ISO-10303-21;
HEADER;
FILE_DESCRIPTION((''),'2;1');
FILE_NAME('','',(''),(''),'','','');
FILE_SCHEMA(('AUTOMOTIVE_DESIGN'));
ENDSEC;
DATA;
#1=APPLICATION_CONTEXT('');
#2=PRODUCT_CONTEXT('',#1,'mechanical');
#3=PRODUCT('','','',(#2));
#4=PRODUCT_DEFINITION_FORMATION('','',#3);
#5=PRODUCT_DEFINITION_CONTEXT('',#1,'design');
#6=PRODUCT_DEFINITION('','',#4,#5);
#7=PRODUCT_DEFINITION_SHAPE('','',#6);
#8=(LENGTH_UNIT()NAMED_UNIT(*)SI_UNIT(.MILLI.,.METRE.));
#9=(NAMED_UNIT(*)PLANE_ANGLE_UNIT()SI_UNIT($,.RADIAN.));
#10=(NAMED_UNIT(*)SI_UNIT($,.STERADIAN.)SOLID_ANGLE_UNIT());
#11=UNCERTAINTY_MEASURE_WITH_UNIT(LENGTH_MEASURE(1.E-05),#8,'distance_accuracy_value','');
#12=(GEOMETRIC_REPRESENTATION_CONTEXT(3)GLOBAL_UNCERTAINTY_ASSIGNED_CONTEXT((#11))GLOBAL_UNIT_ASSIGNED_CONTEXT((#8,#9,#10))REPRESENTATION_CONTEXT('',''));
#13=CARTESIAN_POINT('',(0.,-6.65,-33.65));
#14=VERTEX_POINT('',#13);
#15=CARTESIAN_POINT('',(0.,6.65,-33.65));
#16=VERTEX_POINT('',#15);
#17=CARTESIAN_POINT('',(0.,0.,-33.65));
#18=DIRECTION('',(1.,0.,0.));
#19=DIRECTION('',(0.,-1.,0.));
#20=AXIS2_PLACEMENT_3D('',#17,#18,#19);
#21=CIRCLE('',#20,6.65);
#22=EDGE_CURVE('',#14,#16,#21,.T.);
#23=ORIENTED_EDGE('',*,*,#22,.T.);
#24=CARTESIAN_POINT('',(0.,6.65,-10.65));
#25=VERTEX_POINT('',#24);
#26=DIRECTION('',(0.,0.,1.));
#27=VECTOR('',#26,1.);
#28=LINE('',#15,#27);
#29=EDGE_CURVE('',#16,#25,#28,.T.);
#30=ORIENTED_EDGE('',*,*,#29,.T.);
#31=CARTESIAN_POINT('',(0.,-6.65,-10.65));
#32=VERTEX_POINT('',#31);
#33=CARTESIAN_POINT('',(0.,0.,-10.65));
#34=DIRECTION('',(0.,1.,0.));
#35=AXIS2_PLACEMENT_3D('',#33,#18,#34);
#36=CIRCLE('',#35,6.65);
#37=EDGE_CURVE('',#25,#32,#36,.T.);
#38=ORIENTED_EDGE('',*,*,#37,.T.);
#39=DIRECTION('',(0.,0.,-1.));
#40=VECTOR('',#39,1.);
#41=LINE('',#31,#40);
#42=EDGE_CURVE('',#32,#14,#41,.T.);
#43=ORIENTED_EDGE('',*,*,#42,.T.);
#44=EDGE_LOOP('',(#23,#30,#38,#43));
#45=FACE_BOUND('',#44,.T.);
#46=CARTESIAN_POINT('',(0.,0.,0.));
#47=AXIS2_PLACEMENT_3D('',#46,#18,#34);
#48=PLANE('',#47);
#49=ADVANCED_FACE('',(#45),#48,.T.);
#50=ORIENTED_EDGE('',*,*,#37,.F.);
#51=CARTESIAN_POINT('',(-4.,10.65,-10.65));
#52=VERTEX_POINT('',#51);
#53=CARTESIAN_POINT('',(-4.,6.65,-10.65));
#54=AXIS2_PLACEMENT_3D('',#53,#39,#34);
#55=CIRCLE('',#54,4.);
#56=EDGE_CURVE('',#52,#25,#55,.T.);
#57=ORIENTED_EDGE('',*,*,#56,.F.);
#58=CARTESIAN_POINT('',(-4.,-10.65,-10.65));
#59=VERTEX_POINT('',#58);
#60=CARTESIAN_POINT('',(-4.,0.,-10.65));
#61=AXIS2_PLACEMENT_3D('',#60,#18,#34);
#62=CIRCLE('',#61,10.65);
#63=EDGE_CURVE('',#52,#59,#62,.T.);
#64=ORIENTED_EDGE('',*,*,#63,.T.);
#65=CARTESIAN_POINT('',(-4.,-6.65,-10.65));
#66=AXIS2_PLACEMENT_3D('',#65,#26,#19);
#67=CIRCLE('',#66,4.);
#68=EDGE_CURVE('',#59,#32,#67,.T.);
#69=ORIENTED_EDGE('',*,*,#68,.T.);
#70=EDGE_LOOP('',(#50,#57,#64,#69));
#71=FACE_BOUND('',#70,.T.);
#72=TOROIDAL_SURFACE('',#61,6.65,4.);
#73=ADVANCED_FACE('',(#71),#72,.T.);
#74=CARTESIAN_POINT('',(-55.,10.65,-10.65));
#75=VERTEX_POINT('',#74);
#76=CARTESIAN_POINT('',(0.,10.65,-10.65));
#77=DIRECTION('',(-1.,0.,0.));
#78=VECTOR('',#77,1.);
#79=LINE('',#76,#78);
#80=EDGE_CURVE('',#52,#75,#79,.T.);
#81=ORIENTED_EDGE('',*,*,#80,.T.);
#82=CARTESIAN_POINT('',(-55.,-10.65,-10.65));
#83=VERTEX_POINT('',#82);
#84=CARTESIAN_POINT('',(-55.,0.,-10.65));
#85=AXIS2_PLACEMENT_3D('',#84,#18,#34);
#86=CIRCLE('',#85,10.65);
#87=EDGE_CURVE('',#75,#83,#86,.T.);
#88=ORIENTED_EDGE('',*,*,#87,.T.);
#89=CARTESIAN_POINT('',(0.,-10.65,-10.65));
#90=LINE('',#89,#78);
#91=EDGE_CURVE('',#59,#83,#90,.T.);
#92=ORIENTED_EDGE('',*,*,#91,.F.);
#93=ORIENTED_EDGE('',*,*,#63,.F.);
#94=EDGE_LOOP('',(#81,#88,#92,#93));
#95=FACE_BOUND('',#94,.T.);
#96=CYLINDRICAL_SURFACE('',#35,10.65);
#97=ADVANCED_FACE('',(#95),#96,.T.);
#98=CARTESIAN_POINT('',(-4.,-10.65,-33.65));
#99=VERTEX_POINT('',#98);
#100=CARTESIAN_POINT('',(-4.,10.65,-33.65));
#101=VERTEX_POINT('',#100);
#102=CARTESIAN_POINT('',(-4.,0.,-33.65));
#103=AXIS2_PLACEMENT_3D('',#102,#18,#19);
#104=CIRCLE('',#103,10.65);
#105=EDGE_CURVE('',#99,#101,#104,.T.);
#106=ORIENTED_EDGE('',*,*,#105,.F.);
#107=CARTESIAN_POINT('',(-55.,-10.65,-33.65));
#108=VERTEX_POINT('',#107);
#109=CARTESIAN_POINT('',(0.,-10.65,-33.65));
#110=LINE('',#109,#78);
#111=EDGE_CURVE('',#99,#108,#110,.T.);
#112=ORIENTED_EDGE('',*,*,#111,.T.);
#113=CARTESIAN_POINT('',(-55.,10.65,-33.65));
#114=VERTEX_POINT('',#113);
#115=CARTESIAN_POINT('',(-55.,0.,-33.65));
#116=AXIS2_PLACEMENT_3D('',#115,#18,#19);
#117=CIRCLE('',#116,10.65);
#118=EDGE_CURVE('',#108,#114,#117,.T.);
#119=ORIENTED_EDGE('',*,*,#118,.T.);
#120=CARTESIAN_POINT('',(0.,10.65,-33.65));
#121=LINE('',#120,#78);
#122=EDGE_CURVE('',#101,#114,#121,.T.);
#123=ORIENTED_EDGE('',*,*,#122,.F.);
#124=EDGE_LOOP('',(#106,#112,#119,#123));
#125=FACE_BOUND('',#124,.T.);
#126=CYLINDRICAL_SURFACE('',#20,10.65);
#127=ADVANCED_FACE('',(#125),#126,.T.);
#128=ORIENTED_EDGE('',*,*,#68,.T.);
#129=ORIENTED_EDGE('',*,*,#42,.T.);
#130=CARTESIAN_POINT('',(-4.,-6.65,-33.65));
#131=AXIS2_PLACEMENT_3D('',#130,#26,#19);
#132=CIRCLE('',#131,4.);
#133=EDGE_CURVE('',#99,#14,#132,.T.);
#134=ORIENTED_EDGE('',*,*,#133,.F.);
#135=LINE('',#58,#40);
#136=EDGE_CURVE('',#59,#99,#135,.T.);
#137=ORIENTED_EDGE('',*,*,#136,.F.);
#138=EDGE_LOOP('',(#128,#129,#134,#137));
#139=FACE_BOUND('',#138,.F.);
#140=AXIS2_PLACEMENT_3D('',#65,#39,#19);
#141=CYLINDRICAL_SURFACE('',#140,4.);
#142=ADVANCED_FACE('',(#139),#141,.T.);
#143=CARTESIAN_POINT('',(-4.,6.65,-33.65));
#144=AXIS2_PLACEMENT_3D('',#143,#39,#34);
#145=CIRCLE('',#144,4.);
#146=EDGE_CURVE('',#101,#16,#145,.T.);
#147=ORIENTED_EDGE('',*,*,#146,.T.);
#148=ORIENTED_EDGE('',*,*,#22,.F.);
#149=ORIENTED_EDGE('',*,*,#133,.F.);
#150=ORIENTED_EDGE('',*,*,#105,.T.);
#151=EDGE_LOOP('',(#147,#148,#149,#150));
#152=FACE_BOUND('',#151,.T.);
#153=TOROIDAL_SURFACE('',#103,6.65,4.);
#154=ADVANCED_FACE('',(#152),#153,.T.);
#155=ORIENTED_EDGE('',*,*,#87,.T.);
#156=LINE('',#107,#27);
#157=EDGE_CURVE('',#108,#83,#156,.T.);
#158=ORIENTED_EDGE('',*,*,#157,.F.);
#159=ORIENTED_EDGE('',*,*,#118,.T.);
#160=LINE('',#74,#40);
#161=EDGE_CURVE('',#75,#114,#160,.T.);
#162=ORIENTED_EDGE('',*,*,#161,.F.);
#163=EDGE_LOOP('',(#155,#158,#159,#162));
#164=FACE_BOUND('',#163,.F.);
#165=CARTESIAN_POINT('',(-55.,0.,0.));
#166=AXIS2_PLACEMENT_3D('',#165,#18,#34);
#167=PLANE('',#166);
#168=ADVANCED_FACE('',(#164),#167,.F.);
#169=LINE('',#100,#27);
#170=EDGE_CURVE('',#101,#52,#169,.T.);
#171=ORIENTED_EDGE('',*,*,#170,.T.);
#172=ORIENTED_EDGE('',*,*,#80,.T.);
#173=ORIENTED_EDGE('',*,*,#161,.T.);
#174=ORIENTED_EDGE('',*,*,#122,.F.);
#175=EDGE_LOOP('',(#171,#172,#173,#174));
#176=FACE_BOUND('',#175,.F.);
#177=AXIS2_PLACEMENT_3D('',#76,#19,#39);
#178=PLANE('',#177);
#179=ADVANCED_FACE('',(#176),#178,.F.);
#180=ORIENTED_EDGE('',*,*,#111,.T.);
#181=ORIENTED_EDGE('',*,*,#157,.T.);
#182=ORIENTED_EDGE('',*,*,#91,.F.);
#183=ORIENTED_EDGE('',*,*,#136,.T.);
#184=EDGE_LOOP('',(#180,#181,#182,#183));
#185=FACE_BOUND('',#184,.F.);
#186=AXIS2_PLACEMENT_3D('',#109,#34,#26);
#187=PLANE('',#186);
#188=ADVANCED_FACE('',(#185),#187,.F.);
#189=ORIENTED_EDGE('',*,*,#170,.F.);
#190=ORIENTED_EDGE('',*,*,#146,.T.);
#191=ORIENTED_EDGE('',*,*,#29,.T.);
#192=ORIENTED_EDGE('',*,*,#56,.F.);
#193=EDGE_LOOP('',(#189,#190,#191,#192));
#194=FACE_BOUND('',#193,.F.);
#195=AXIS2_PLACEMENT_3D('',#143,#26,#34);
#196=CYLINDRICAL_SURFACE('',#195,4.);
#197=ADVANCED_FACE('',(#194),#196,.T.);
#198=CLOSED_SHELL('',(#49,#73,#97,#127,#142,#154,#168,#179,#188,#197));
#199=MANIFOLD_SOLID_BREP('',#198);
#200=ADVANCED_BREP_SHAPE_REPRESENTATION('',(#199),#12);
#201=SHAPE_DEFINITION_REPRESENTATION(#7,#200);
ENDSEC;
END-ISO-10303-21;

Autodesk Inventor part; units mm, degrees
ref_plane "YZ Plane" through (0, 0, 0) normal (1, 0, 0) x (0, 1, 0)
ref_plane "XZ Plane" through (0, 0, 0) normal (0, 1, 0) x (-1, 0, 0)
ref_plane "XY Plane" through (0, 0, 0) normal (0, 0, 1) x (1, 0, 0)
sketch "Sketch1" plane through (0, 0, 0) normal (1, 0, 0) x (0, 1, 0)
  line L0 (0, 0) -> (0, -44.3) construction
  line L1 (10.65, -10.65) -> (10.65, -33.65)
  line L2 (-10.65, -33.65) -> (-10.65, -10.65)
  arc A0 (10.65, -10.65) -> (-10.65, -10.65) centre (0, -10.65) ccw
  arc A1 (-10.65, -33.65) -> (10.65, -33.65) centre (0, -33.65) ccw
  point P0 (0, -22.15)
  dimension "d0" = 44.3
  dimension "d1" = 21.3
extrude "Extrusion1" add sketch "Sketch1" against normal blind 55
fillet "Fillet1" radius 4 4 edges at (0, 0, 0) (0, -10.65, -22.15) (0, 0, -44.3) (0, 10.65, -22.15)
properties part number "Among Us Goggles"
